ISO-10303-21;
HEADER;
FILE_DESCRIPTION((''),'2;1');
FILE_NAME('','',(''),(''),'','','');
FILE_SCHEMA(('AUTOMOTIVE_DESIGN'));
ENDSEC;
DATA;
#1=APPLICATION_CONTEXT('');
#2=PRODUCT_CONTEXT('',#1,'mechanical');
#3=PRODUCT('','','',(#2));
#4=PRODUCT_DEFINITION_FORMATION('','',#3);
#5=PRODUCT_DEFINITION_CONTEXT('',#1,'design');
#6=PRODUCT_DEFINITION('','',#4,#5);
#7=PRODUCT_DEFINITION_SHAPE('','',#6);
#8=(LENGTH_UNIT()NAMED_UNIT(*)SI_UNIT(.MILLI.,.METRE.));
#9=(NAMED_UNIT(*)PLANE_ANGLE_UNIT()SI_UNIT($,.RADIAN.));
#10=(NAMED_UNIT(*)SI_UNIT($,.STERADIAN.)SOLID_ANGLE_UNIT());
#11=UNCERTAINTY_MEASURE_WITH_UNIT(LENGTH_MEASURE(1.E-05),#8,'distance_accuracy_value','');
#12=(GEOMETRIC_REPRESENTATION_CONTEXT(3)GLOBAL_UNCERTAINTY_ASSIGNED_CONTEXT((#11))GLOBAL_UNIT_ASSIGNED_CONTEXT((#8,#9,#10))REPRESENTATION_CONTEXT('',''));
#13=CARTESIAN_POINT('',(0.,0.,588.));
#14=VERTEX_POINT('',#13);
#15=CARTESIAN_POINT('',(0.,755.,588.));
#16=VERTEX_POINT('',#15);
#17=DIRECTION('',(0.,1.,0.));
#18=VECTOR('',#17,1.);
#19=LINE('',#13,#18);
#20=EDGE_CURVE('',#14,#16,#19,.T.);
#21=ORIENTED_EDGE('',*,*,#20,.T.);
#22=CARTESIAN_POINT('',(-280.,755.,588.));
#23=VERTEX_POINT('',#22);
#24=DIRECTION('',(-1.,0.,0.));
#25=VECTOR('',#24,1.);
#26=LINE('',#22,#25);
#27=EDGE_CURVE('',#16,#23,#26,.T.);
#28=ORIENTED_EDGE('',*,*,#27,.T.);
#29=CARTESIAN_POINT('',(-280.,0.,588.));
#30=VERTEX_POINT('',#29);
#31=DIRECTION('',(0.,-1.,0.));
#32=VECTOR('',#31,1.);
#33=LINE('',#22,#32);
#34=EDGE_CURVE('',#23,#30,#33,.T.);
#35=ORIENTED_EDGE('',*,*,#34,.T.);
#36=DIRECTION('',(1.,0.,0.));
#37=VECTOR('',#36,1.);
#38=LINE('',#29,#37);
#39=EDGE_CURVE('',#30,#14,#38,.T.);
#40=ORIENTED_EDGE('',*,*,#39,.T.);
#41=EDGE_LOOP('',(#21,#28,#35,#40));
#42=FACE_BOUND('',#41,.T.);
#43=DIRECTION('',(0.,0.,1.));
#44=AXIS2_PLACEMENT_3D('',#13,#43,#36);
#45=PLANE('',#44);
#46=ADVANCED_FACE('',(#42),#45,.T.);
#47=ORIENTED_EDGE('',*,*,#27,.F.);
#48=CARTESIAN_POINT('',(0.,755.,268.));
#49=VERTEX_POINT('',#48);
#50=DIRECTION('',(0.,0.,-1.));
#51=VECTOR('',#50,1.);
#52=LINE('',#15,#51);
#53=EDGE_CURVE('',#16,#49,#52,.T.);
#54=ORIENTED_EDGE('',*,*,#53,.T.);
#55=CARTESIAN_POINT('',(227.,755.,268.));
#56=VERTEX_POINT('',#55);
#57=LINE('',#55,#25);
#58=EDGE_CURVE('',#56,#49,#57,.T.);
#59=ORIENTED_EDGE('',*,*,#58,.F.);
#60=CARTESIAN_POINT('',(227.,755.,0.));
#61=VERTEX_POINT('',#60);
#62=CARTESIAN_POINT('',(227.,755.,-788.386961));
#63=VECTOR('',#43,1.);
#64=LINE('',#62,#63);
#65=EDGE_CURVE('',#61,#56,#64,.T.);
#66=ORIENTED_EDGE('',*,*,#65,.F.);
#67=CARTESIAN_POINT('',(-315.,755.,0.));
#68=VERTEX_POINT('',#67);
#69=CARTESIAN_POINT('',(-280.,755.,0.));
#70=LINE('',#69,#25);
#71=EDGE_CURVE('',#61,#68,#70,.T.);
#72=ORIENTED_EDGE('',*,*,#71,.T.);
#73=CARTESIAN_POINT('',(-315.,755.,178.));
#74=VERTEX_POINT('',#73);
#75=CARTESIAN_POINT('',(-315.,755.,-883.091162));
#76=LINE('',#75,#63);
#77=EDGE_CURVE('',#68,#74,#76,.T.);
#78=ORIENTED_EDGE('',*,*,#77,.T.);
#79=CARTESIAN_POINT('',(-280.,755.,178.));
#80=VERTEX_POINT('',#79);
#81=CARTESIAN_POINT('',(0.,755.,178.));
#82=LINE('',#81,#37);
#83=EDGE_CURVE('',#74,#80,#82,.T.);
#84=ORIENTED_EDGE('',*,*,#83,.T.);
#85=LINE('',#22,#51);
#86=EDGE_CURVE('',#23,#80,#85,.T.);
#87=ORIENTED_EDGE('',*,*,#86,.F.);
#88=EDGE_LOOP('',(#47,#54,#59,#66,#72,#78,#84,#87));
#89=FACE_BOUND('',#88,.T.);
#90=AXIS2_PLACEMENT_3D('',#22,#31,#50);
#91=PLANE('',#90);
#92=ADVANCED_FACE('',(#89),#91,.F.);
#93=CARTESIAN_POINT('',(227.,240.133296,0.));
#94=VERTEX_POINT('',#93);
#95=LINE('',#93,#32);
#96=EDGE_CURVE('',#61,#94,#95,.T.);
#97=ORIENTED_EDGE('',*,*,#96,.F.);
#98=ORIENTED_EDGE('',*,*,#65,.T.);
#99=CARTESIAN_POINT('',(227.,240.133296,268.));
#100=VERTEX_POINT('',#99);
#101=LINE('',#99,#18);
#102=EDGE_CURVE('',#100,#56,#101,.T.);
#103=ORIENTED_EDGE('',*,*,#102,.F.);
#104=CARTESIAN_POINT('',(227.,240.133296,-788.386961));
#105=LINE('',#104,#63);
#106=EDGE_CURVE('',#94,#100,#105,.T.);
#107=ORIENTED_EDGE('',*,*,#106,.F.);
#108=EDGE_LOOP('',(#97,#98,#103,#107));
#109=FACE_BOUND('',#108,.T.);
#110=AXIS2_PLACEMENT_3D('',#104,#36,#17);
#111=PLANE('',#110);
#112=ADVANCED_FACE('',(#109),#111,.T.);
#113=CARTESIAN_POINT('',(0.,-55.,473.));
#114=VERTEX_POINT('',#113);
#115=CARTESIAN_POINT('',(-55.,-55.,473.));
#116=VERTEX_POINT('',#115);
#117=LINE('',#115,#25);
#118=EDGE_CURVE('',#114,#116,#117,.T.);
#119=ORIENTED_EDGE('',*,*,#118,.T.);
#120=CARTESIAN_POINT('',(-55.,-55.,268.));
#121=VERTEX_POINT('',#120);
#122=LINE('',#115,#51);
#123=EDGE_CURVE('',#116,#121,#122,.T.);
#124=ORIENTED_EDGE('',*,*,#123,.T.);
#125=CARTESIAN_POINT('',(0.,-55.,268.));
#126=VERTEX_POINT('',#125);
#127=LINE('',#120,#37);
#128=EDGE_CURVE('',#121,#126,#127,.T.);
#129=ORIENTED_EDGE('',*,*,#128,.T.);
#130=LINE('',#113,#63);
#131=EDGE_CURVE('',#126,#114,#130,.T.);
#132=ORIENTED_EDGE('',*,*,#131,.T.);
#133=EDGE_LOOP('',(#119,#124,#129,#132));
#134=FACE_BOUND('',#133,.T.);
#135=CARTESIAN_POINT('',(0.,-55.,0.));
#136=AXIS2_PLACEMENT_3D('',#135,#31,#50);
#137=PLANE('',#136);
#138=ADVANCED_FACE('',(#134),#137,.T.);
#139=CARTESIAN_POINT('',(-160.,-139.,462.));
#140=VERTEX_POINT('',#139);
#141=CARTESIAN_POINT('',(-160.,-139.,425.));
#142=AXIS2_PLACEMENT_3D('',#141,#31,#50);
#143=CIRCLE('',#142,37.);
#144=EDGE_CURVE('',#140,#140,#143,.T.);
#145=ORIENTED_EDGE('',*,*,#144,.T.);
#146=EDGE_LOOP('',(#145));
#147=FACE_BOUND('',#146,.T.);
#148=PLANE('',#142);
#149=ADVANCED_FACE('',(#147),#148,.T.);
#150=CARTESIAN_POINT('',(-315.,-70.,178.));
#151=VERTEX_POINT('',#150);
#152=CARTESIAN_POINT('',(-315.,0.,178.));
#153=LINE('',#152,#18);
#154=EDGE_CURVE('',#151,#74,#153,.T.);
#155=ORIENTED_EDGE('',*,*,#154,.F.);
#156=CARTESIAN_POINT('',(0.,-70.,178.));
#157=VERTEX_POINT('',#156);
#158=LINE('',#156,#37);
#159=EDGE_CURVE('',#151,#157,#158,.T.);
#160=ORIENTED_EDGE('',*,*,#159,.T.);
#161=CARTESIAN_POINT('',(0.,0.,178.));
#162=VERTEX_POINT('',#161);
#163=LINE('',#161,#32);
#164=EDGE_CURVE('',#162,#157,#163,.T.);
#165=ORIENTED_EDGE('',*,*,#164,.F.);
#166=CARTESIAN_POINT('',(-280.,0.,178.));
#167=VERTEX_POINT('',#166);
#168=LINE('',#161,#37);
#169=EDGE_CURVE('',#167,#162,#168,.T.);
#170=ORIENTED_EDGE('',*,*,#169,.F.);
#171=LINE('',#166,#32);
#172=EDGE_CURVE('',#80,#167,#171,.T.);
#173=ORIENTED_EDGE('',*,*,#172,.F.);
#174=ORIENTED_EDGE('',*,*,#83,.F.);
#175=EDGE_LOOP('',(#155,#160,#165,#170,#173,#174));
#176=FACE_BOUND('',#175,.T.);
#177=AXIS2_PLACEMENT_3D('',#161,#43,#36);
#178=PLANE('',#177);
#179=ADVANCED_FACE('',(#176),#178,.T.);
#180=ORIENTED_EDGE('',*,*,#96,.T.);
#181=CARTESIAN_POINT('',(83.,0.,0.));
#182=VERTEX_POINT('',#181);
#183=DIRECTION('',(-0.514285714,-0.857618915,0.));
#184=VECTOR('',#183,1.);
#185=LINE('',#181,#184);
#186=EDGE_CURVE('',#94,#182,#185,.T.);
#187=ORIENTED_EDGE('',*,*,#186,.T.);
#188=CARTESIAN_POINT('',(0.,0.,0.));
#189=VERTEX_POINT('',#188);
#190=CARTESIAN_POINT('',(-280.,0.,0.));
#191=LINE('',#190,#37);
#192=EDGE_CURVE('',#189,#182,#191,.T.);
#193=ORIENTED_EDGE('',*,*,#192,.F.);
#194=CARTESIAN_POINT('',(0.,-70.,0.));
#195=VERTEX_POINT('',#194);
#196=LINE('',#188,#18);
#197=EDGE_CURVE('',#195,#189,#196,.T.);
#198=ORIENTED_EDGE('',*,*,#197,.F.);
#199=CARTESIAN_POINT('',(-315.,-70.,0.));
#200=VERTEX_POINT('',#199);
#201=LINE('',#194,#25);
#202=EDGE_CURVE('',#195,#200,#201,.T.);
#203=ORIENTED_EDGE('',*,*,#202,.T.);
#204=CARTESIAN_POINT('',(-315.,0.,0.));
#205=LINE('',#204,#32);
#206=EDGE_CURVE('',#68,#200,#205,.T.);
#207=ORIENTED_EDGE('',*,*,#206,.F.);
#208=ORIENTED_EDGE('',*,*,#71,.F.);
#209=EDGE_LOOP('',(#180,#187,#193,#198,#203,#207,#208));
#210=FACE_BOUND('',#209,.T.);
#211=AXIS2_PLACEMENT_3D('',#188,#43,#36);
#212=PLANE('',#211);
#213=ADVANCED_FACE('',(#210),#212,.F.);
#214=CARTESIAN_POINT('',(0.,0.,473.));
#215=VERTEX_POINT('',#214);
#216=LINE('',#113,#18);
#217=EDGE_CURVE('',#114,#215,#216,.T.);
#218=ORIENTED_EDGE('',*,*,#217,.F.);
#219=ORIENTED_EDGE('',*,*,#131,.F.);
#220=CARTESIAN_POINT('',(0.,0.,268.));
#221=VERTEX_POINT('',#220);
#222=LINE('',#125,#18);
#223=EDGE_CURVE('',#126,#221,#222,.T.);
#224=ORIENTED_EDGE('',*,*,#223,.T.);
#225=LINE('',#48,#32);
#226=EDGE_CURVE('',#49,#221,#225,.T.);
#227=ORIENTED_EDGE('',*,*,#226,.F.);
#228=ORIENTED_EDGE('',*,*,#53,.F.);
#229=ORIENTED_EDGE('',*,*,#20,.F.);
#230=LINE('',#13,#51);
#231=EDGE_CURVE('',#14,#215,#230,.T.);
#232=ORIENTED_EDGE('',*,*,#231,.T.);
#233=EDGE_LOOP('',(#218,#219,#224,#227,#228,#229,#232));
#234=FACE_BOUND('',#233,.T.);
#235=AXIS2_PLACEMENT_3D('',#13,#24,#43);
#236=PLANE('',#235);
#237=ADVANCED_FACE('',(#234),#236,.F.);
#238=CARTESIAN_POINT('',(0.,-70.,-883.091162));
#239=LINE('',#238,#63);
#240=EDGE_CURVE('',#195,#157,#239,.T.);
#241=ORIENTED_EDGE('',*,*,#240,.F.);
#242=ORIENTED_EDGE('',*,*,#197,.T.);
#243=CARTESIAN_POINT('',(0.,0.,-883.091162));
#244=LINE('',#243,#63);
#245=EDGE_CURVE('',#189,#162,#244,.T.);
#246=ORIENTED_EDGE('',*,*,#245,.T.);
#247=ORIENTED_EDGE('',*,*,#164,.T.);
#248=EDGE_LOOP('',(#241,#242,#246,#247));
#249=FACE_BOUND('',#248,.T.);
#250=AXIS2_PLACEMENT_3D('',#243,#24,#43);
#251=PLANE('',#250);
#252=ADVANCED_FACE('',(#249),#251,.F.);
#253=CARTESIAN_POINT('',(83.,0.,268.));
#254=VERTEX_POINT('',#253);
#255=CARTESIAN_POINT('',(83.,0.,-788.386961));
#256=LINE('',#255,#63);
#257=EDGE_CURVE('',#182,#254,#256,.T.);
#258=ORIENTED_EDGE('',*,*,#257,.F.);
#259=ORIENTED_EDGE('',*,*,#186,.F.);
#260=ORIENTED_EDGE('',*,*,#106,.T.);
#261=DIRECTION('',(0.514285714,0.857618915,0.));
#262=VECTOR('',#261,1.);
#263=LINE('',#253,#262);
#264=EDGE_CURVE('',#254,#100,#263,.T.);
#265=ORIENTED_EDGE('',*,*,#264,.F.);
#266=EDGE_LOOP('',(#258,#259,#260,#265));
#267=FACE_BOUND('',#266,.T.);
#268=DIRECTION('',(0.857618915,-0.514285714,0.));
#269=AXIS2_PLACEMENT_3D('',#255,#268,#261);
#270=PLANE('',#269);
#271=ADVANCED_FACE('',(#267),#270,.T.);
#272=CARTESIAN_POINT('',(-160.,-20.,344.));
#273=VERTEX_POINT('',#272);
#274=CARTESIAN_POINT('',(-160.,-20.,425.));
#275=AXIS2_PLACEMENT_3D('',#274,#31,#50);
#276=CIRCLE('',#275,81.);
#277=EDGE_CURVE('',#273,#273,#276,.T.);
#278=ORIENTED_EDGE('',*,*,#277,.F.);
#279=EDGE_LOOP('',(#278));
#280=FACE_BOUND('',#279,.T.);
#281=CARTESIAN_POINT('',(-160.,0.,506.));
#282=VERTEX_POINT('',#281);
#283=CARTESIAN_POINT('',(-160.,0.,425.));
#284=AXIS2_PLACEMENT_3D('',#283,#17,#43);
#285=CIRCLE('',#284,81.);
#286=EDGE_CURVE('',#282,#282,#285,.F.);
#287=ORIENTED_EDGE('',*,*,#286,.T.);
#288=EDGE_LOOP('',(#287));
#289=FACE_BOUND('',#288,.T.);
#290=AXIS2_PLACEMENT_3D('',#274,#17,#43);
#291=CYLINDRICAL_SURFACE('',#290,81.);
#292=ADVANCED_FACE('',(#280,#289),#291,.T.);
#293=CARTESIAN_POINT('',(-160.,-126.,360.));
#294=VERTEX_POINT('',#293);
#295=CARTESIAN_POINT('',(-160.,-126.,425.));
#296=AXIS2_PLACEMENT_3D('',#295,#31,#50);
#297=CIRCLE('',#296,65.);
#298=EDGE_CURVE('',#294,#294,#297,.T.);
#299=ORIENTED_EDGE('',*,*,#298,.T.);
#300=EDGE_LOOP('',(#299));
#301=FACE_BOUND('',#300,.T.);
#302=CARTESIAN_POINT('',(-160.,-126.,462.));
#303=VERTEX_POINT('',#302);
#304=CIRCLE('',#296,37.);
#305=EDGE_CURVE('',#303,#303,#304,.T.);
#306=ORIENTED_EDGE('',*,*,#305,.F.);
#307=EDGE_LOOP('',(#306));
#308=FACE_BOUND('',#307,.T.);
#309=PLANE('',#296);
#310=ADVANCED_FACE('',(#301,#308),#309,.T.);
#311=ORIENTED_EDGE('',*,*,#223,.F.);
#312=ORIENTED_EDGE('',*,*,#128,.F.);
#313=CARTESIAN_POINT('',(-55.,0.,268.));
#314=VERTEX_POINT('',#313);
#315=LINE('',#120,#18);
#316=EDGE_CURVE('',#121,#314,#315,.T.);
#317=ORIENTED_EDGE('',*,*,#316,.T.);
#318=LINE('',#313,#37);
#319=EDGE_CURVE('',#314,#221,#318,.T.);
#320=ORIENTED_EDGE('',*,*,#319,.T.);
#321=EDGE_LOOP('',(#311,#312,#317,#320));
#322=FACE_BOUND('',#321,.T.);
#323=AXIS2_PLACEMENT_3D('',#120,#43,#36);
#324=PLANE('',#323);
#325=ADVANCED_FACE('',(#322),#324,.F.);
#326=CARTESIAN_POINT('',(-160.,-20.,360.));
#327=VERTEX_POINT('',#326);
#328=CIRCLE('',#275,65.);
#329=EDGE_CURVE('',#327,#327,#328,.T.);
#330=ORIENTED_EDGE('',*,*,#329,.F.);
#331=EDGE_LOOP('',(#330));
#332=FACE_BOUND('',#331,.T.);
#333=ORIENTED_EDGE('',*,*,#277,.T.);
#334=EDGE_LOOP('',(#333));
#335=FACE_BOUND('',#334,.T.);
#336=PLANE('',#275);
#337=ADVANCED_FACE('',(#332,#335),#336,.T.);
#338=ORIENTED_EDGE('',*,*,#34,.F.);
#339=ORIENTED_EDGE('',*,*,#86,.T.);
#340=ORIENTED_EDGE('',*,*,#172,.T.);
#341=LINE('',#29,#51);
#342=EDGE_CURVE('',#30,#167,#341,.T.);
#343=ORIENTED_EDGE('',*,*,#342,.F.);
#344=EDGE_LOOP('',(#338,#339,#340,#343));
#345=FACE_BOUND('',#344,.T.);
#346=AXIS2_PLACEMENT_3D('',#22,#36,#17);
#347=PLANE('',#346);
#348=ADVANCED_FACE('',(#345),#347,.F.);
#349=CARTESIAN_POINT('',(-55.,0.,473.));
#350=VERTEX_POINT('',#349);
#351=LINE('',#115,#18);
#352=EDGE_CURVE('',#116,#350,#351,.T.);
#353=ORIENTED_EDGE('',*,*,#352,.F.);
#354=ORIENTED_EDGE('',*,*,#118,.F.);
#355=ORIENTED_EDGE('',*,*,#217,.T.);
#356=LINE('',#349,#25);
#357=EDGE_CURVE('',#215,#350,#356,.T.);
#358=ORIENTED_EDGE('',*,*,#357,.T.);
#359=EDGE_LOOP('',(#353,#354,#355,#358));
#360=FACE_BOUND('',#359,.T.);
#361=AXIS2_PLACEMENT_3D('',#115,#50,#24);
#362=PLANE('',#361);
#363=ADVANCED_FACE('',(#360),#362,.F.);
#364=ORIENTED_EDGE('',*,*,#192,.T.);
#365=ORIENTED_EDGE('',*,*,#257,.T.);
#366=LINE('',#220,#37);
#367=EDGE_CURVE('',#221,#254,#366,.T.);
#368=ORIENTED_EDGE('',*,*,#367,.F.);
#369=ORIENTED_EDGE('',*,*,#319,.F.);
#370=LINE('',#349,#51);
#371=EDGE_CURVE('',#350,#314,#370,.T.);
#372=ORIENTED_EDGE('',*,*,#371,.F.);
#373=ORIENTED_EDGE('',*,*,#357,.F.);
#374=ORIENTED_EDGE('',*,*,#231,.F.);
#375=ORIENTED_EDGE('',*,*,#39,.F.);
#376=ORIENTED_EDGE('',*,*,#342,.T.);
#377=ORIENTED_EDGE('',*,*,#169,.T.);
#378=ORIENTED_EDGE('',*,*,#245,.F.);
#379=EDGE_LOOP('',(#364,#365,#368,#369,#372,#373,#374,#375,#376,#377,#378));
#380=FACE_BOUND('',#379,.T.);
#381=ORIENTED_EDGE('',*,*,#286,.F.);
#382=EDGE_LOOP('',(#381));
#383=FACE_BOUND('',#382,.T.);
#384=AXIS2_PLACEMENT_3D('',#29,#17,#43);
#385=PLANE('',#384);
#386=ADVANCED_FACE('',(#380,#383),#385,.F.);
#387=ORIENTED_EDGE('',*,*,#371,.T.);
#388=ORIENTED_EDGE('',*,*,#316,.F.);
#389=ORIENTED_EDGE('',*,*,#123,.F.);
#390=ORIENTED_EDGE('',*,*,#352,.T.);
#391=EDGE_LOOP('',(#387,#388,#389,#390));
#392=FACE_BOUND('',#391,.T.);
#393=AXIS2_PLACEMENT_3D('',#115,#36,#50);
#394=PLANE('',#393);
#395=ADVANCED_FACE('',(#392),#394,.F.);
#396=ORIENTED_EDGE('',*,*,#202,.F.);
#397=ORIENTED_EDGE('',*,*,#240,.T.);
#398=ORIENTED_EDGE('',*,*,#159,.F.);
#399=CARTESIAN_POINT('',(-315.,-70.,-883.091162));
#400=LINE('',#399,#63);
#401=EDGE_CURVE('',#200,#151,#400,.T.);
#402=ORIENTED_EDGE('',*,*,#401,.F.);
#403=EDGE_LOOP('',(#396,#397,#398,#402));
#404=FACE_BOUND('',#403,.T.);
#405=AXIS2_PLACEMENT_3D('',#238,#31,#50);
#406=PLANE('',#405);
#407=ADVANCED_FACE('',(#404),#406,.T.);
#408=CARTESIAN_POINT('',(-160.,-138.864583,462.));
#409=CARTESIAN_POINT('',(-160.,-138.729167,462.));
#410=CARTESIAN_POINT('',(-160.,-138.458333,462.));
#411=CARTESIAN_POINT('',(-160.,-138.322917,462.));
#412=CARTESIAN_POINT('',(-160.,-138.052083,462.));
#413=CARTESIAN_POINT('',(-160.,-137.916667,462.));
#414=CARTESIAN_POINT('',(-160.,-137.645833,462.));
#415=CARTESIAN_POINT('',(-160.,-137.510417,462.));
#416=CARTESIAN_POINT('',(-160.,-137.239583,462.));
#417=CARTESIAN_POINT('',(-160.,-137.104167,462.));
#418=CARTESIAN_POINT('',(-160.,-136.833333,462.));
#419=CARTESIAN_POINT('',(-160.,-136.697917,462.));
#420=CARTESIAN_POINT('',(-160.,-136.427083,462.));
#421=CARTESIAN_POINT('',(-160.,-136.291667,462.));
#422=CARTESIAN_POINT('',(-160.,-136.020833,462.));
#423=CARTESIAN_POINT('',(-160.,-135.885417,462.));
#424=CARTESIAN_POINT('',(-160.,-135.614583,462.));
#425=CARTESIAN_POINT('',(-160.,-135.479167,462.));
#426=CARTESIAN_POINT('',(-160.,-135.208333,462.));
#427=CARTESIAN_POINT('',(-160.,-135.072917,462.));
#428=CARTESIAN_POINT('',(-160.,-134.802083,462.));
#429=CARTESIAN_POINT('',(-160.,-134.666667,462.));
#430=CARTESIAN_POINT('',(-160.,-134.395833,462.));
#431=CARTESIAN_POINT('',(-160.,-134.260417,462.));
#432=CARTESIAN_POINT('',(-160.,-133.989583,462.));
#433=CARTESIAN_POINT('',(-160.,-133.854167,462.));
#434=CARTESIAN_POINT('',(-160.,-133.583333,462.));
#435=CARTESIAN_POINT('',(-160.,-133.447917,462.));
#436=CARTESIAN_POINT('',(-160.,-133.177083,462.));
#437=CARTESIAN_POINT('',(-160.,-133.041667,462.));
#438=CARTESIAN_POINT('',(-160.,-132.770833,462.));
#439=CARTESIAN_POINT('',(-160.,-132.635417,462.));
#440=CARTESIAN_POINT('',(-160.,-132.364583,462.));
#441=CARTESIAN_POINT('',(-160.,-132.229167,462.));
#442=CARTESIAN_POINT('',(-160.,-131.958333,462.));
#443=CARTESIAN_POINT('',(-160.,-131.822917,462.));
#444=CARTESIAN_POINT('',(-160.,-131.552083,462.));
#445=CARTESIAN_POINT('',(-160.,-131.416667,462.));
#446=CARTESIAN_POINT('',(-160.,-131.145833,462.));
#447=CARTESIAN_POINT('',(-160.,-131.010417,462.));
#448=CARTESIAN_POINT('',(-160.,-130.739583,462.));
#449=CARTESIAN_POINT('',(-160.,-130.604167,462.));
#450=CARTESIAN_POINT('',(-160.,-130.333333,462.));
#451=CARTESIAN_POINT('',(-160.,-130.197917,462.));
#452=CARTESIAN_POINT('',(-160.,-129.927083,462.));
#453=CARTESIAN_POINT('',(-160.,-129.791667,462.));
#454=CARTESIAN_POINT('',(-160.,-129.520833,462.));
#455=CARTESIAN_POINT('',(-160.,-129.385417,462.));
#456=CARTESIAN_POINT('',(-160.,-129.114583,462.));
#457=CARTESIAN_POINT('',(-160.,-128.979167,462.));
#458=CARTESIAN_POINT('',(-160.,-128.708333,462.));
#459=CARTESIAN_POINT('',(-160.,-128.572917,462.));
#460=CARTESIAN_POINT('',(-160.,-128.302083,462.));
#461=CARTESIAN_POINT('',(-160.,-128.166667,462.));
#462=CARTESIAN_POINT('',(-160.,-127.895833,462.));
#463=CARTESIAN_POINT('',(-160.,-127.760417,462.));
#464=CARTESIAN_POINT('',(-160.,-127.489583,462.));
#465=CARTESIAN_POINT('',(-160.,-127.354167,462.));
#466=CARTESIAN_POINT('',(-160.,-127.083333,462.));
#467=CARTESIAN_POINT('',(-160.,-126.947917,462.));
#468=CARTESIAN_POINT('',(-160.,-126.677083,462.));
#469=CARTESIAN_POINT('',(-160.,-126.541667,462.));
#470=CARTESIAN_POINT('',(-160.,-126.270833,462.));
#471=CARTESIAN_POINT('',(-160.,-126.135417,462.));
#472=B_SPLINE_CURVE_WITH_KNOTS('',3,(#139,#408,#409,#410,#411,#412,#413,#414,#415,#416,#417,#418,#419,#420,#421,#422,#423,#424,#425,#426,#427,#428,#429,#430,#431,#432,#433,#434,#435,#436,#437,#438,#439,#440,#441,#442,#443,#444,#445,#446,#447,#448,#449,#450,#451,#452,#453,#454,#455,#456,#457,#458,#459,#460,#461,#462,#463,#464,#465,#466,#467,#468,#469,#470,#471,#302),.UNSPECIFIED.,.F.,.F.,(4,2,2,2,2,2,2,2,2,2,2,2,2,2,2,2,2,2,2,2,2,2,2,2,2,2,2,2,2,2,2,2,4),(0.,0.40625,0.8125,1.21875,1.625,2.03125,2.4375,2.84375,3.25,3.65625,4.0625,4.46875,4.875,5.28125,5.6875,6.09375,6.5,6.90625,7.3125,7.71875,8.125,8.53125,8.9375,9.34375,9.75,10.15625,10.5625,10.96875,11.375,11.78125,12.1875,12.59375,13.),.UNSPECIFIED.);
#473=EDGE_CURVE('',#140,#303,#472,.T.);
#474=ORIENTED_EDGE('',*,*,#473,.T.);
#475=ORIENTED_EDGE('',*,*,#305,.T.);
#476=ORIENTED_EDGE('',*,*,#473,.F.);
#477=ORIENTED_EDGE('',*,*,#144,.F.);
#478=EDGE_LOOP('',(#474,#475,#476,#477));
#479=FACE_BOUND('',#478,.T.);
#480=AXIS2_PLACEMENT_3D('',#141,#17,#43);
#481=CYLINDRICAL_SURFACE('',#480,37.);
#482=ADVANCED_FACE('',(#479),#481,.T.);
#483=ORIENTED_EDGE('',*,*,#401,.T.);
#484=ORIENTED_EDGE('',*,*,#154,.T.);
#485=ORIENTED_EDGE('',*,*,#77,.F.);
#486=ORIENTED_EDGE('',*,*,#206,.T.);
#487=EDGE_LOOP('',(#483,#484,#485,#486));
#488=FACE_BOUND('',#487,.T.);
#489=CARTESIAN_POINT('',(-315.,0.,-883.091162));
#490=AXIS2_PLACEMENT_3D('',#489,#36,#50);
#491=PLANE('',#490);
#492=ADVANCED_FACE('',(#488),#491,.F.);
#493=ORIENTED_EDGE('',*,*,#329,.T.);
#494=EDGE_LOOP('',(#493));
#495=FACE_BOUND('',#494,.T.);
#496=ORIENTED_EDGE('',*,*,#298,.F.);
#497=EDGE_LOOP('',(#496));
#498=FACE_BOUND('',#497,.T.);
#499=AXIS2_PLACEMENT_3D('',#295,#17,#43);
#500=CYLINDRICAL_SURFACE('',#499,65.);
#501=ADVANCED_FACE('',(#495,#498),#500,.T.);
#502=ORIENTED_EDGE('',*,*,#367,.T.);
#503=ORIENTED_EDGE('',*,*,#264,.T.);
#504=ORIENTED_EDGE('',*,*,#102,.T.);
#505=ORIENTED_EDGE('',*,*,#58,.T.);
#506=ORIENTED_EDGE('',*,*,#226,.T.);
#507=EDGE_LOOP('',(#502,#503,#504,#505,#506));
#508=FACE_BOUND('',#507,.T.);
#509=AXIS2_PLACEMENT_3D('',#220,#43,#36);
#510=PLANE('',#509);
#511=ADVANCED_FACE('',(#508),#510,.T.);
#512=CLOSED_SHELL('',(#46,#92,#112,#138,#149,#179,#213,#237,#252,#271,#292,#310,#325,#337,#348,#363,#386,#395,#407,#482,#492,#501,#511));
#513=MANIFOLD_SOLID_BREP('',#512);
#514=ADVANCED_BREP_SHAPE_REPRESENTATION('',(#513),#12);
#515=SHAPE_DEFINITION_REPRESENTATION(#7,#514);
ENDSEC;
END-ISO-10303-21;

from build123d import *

# Parameters (mm, degrees)
SKETCH1_W           = 280
SKETCH1_H           = 755
BOSS_EXTRUDE1_DEPTH = 588
SKETCH4_R           = 81
BOSS_EXTRUDE2_DEPTH = 20
BOSS_EXTRUDE3_START = 20
SKETCH4_3_R         = 65
BOSS_EXTRUDE3_DEPTH = 106
BOSS_EXTRUDE4_START = 126
SKETCH4_4_R         = 37
BOSS_EXTRUDE4_DEPTH = 13
BOSS_EXTRUDE5_DEPTH = 268
BOSS_EXTRUDE6_DEPTH = 178
SKETCH7_W           = 55
SKETCH7_H           = 205
BOSS_EXTRUDE7_DEPTH = 55


with BuildPart() as part:
    # Sketch1 → Boss-Extrude1 (new body)
    with BuildSketch(Plane.XY):
        with Locations((-140, 377.5)):
            Rectangle(SKETCH1_W, SKETCH1_H)
    extrude(amount=BOSS_EXTRUDE1_DEPTH)

    # Sketch4 → Boss-Extrude2 (add)
    with BuildSketch(Plane.XZ):
        with Locations(Location((-160, 425, 0), (0, 0, 90))):
            Circle(SKETCH4_R)
    extrude(amount=BOSS_EXTRUDE2_DEPTH)

    # Sketch4<3> → Boss-Extrude3 (add)
    with BuildSketch(Plane.XZ.offset(BOSS_EXTRUDE3_START)):
        with Locations(Location((-160, 425, 0), (0, 0, 270))):
            Circle(SKETCH4_3_R)
    extrude(amount=BOSS_EXTRUDE3_DEPTH)

    # Sketch4<4> → Boss-Extrude4 (add)
    with BuildSketch(Plane.XZ.offset(BOSS_EXTRUDE4_START)):
        with Locations(Location((-160, 425, 0), (0, 0, 90))):
            Circle(SKETCH4_4_R)
    extrude(amount=BOSS_EXTRUDE4_DEPTH)

    # Sketch5 → Boss-Extrude5 (add)
    with BuildSketch(Plane(origin=(0, 0, 268), x_dir=(-1, 0, 0), z_dir=(0, 0, -1))):
        Polygon((0, 0), (-83, 0), (-227, 240.133296317), (-227, 755), (0, 755), align=None)
    extrude(amount=BOSS_EXTRUDE5_DEPTH)

    # Sketch6 → Boss-Extrude6 (add)
    with BuildSketch(Plane.XY.offset(178)):
        Polygon((-280, 0), (0, 0), (0, -70), (-315, -70), (-315, 755), (-280, 755), align=None)
    extrude(amount=-BOSS_EXTRUDE6_DEPTH)

    # Sketch7 → Boss-Extrude7 (add)
    with BuildSketch(Plane.XZ):
        with Locations((-27.5, 370.5)):
            Rectangle(SKETCH7_W, SKETCH7_H)
    extrude(amount=BOSS_EXTRUDE7_DEPTH)


solid = part.part
